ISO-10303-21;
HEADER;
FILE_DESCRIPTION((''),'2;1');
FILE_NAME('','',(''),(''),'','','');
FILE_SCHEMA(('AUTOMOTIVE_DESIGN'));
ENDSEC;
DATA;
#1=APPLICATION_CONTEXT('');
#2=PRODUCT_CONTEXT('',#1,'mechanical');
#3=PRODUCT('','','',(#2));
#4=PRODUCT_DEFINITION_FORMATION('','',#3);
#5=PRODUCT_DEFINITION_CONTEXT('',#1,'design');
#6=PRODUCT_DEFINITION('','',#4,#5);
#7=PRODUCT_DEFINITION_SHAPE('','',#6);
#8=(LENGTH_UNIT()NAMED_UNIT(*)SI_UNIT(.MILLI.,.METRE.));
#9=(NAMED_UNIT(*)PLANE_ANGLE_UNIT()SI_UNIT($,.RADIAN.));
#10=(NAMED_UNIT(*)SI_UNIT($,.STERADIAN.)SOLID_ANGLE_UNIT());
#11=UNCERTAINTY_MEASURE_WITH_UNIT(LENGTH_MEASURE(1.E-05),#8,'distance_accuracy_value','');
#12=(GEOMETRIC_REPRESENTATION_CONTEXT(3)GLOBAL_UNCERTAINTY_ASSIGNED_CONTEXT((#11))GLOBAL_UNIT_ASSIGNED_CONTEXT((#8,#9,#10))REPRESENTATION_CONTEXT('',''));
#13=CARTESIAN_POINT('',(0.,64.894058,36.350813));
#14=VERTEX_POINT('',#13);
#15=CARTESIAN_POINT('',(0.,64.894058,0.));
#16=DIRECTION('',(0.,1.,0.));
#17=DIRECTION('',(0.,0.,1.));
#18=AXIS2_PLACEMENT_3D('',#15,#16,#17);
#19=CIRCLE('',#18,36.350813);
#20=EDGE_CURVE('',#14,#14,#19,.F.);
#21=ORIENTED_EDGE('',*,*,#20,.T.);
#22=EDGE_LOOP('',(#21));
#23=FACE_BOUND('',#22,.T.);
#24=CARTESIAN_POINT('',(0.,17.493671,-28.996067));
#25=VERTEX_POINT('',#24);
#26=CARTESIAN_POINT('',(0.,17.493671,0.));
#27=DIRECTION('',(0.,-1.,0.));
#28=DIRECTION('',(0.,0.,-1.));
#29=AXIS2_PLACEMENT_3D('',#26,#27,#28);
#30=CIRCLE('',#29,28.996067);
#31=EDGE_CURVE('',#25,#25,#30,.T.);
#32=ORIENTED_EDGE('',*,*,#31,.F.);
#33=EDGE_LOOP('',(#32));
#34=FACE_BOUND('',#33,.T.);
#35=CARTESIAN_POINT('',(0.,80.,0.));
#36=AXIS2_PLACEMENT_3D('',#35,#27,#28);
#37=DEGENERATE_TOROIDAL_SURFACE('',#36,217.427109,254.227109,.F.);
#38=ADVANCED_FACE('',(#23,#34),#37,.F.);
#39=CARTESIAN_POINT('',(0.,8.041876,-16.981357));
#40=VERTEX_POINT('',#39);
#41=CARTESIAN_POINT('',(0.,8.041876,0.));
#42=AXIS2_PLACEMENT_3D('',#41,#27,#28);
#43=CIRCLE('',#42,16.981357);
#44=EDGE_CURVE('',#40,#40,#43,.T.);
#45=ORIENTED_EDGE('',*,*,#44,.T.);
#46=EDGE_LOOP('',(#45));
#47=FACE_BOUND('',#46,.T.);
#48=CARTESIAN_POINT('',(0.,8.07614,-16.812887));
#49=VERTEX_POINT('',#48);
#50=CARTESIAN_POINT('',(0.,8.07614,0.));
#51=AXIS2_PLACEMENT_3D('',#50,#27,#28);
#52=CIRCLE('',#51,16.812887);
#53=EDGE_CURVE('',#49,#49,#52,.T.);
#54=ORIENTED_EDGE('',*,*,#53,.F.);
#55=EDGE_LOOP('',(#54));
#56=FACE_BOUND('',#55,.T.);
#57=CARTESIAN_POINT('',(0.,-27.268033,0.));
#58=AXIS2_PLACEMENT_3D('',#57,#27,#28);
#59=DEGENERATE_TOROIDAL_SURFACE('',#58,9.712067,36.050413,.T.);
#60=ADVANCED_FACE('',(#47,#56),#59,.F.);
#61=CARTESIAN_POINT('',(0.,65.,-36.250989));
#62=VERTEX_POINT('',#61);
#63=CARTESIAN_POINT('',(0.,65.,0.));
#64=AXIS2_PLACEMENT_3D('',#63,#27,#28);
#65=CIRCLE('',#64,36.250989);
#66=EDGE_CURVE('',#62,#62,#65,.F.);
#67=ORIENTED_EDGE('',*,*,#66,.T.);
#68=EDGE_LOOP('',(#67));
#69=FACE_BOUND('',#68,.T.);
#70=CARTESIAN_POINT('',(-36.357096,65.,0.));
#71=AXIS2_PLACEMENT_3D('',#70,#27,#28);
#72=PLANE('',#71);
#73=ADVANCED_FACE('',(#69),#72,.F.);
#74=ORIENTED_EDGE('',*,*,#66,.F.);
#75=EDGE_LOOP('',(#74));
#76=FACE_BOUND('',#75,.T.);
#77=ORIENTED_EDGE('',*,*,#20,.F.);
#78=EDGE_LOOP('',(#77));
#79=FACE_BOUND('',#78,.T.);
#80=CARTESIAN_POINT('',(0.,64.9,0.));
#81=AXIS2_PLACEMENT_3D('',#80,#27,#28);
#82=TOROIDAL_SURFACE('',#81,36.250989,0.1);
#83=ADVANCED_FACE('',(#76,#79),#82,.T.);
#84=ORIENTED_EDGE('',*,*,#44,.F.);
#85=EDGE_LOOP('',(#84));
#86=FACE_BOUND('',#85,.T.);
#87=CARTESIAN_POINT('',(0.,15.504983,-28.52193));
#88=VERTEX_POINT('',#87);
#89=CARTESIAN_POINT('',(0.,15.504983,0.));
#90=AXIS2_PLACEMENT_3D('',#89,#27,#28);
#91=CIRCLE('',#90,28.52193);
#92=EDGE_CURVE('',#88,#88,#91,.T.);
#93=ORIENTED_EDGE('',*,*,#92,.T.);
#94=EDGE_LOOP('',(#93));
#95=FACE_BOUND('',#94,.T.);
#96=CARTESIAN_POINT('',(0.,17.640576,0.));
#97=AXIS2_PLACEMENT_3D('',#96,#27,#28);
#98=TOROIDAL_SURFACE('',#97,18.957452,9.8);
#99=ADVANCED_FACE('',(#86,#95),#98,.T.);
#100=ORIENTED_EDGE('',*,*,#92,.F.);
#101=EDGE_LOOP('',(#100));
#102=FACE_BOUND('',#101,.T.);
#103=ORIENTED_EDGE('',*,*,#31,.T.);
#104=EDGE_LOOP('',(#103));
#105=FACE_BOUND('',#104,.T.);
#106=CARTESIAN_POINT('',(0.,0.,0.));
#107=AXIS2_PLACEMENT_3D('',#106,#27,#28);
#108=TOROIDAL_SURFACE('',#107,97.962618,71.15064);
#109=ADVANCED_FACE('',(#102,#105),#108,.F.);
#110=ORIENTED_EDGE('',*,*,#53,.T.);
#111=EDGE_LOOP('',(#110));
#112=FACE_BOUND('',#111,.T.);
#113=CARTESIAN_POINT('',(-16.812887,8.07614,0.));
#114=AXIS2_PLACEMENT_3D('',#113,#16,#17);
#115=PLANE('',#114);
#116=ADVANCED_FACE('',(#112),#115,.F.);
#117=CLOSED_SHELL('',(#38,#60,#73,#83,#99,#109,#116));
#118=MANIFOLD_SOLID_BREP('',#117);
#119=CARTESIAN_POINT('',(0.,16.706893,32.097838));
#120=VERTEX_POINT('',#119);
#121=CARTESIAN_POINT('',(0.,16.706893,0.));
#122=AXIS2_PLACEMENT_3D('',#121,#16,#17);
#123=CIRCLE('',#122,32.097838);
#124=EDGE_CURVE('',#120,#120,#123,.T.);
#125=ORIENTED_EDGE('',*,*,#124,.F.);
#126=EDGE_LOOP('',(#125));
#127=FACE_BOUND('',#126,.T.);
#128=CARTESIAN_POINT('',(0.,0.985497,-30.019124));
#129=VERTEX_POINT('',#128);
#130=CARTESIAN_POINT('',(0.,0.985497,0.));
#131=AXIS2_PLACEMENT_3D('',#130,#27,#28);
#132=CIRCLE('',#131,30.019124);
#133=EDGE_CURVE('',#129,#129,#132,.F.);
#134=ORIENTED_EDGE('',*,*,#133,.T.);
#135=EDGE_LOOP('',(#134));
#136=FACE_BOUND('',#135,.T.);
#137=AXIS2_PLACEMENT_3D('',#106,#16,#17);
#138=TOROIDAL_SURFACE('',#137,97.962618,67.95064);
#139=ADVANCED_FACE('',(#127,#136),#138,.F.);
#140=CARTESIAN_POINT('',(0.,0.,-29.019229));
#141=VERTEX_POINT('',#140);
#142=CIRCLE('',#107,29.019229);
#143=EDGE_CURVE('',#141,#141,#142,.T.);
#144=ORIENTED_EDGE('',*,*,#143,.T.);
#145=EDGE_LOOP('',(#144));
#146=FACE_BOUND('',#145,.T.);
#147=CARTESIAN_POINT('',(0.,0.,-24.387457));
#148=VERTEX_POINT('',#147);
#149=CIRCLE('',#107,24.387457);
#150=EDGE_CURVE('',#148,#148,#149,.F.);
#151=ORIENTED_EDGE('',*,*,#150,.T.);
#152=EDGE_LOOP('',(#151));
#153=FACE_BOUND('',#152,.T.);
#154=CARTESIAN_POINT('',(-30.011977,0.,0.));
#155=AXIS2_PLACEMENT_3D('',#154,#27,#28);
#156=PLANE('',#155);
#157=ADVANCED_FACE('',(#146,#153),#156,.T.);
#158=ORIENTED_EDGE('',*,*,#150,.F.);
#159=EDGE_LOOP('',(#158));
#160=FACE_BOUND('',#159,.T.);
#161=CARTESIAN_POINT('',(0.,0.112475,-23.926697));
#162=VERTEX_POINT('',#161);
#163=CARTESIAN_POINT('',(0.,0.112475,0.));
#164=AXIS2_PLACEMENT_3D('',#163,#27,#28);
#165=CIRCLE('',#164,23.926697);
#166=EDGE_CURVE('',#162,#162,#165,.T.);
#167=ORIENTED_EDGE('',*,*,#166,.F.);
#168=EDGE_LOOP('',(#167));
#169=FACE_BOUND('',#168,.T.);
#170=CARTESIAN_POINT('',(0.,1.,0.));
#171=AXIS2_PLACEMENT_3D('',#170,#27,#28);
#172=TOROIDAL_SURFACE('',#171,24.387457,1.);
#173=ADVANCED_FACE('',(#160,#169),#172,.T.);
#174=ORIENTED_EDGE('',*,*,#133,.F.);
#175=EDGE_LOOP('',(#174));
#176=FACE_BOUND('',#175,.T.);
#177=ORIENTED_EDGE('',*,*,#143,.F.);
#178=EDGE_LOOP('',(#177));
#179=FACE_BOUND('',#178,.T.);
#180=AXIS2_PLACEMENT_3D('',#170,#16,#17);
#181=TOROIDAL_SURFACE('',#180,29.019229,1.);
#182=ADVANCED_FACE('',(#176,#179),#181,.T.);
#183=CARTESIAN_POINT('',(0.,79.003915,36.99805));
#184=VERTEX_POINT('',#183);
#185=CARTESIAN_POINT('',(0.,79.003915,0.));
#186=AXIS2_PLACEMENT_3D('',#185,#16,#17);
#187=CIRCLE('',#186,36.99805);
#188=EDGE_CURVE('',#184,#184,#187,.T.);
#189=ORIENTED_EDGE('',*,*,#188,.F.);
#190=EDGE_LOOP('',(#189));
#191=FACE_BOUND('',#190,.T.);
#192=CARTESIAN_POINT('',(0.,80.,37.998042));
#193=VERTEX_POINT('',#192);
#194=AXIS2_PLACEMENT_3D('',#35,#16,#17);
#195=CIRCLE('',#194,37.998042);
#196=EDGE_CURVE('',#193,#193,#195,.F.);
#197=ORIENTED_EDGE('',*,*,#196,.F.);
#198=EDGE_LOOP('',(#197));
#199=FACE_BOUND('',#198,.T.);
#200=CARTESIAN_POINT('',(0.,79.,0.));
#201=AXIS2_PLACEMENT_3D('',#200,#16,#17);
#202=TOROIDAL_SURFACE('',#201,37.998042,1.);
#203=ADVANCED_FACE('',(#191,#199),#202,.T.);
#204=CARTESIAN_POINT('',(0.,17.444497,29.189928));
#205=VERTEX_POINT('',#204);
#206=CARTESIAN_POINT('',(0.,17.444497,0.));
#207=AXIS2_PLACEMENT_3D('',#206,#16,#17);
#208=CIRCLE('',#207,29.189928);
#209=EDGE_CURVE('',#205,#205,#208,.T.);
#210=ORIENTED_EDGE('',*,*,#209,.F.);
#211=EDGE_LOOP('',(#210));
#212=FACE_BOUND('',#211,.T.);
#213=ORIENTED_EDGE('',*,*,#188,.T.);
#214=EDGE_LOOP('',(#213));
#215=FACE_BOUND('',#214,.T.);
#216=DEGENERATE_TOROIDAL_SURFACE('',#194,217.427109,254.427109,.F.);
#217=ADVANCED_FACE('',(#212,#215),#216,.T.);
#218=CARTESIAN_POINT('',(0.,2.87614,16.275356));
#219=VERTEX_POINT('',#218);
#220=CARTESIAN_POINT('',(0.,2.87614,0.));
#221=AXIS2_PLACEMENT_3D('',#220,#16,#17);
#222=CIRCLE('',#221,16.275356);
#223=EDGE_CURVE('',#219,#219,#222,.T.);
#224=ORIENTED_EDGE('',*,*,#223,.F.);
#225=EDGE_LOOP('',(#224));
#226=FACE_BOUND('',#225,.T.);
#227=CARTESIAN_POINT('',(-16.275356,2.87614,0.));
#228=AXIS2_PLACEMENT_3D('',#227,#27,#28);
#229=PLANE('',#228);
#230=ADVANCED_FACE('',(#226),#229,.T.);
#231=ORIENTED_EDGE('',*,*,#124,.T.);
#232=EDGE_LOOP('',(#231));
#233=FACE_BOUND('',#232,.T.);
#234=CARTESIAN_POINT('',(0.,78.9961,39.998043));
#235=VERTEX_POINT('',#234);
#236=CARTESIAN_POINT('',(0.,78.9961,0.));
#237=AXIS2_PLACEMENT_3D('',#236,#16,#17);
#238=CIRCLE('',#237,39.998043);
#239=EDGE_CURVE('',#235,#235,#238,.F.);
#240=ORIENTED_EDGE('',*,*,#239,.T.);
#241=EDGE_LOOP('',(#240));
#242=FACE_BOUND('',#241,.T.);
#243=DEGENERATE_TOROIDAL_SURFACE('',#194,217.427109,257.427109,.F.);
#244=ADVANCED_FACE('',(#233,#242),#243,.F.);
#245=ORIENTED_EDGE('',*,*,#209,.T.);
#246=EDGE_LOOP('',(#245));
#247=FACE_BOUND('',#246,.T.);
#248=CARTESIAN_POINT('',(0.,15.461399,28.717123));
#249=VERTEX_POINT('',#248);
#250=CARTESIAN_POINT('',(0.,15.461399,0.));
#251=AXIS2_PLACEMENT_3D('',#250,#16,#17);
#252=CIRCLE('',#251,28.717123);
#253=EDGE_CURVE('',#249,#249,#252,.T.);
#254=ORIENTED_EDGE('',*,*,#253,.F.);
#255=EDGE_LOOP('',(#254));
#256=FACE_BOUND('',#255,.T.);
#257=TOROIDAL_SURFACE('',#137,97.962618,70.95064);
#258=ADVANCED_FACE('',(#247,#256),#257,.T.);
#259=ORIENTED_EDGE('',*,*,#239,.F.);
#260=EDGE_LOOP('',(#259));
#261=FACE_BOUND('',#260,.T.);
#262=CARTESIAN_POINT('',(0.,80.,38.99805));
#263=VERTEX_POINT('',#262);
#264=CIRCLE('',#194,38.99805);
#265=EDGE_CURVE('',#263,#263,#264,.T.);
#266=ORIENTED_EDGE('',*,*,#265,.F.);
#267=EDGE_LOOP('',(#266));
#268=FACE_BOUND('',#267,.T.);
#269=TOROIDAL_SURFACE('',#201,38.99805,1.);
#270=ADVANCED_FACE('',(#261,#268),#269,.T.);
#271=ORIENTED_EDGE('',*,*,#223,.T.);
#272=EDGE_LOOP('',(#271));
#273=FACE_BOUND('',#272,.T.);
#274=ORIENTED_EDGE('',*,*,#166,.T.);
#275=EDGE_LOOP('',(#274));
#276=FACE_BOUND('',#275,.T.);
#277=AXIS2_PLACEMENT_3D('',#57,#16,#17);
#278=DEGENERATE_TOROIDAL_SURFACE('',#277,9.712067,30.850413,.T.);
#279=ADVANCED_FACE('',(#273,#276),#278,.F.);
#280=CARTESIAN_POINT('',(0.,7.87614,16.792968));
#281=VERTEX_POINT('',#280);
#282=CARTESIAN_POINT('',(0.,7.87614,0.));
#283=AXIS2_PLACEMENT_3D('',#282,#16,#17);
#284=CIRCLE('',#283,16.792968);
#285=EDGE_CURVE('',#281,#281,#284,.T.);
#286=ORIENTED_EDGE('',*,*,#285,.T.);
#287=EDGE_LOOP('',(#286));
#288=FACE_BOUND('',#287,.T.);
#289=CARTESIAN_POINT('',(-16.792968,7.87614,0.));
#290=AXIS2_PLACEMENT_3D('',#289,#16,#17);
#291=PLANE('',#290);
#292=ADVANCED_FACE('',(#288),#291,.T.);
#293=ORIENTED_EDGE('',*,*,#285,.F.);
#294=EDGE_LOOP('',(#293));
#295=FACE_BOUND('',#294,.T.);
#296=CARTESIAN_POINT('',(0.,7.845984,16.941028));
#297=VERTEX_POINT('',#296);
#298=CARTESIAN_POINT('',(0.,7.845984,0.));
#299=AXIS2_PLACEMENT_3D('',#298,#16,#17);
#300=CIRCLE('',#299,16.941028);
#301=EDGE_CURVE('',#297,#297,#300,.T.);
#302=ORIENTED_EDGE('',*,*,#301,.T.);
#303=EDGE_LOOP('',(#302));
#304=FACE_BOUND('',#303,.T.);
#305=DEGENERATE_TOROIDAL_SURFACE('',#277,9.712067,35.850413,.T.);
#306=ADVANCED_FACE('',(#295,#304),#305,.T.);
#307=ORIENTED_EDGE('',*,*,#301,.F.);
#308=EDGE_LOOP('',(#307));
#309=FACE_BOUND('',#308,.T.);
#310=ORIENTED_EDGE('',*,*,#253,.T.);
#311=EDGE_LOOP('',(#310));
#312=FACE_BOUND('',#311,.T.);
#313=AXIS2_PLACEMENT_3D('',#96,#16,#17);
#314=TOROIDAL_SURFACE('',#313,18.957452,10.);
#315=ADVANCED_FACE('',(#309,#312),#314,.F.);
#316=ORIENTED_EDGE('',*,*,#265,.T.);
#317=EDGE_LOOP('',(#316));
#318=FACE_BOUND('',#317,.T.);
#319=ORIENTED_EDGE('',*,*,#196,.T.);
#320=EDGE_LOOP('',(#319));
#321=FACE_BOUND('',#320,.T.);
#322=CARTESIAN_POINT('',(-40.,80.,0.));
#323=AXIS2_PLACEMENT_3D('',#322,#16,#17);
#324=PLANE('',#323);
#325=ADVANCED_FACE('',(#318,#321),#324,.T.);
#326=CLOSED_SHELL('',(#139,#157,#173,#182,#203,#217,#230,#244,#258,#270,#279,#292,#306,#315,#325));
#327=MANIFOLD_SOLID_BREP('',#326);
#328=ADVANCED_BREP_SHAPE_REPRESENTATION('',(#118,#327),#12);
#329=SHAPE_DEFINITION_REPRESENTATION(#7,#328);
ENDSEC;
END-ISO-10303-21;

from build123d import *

# Parameters (mm, degrees)
FILLET1_R = 1
FILLET2_R = 0.1


with BuildPart() as part:
    # Sketch1 → Revolve1 (revolve)
    with BuildSketch(Plane.XY):
        with BuildLine():
            Line((-30.011977453, 0), (-24.141284524, 0))
            ThreePointArc((-24.141284524, 0), (-20.306375732, 1.706241198), (-16.275355933, 2.876140276))
            Line((-16.275355933, 2.876140276), (0, 2.876140276))
            Line((0, 2.876140276), (0, 7.876140276))
            Line((0, 7.876140276), (-16.792967571, 7.876140276))
            ThreePointArc((-16.792967571, 7.876140276), (-16.867013835, 7.861140117), (-16.941028324, 7.845983949))
            ThreePointArc((-16.941028324, 7.845983949), (-24.387747433, 9.243440319), (-28.71712338, 15.461399286))
            ThreePointArc((-28.71712338, 15.461399286), (-28.946402501, 16.454646489), (-29.189927839, 17.44449715))
            ThreePointArc((-29.189927839, 17.44449715), (-35.039931925, 48.479418771), (-37, 80))
            Line((-37, 80), (-40, 80))
            ThreePointArc((-40, 80), (-38.016820378, 48.107753409), (-32.097837745, 16.706892934))
            ThreePointArc((-32.097837745, 16.706892934), (-30.535458937, 8.418299779), (-30.011977453, 0))
        make_face()
    revolve(axis=Axis((0, 7.876140276, 0), (0, -1, 0)))

    # Fillet1
    fillet1_edges = [part.edges().sort_by_distance(p)[0] for p in [
        (24.141284524, 0, 0),
        (30.011977453, 0, 0),
        (40, 80, 0),
        (37, 80, 0),
    ]]
    fillet(fillet1_edges, radius=FILLET1_R)


with BuildPart() as body_2:
    # Sketch2 → Revolve2 (revolve)
    with BuildSketch(Plane.XY):
        with BuildLine():
            Line((-36.357096479, 65), (0, 65))
            Line((0, 65), (0, 8.076140276))
            Line((0, 8.076140276), (-16.812887273, 8.076140276))
            ThreePointArc((-16.812887273, 8.076140276), (-16.897142459, 8.05910846), (-16.981356795, 8.041875792))
            ThreePointArc((-16.981356795, 8.041875792), (-24.279141522, 9.411383036), (-28.521929949, 15.504982823))
            ThreePointArc((-28.521929949, 15.504982823), (-28.751855376, 16.501029852), (-28.996067179, 17.493670765))
            ThreePointArc((-28.996067179, 17.493670765), (-33.802007536, 41.072452479), (-36.357096479, 65))
        make_face()
    revolve(axis=Axis((0, 0, 0), (0, 1, 0)))

    # Fillet2
    fillet2_edges = [body_2.edges().sort_by_distance(p)[0] for p in [
        (36.357096479, 65, 0),
    ]]
    fillet(fillet2_edges, radius=FILLET2_R)


solid = Compound([part.part, body_2.part])
